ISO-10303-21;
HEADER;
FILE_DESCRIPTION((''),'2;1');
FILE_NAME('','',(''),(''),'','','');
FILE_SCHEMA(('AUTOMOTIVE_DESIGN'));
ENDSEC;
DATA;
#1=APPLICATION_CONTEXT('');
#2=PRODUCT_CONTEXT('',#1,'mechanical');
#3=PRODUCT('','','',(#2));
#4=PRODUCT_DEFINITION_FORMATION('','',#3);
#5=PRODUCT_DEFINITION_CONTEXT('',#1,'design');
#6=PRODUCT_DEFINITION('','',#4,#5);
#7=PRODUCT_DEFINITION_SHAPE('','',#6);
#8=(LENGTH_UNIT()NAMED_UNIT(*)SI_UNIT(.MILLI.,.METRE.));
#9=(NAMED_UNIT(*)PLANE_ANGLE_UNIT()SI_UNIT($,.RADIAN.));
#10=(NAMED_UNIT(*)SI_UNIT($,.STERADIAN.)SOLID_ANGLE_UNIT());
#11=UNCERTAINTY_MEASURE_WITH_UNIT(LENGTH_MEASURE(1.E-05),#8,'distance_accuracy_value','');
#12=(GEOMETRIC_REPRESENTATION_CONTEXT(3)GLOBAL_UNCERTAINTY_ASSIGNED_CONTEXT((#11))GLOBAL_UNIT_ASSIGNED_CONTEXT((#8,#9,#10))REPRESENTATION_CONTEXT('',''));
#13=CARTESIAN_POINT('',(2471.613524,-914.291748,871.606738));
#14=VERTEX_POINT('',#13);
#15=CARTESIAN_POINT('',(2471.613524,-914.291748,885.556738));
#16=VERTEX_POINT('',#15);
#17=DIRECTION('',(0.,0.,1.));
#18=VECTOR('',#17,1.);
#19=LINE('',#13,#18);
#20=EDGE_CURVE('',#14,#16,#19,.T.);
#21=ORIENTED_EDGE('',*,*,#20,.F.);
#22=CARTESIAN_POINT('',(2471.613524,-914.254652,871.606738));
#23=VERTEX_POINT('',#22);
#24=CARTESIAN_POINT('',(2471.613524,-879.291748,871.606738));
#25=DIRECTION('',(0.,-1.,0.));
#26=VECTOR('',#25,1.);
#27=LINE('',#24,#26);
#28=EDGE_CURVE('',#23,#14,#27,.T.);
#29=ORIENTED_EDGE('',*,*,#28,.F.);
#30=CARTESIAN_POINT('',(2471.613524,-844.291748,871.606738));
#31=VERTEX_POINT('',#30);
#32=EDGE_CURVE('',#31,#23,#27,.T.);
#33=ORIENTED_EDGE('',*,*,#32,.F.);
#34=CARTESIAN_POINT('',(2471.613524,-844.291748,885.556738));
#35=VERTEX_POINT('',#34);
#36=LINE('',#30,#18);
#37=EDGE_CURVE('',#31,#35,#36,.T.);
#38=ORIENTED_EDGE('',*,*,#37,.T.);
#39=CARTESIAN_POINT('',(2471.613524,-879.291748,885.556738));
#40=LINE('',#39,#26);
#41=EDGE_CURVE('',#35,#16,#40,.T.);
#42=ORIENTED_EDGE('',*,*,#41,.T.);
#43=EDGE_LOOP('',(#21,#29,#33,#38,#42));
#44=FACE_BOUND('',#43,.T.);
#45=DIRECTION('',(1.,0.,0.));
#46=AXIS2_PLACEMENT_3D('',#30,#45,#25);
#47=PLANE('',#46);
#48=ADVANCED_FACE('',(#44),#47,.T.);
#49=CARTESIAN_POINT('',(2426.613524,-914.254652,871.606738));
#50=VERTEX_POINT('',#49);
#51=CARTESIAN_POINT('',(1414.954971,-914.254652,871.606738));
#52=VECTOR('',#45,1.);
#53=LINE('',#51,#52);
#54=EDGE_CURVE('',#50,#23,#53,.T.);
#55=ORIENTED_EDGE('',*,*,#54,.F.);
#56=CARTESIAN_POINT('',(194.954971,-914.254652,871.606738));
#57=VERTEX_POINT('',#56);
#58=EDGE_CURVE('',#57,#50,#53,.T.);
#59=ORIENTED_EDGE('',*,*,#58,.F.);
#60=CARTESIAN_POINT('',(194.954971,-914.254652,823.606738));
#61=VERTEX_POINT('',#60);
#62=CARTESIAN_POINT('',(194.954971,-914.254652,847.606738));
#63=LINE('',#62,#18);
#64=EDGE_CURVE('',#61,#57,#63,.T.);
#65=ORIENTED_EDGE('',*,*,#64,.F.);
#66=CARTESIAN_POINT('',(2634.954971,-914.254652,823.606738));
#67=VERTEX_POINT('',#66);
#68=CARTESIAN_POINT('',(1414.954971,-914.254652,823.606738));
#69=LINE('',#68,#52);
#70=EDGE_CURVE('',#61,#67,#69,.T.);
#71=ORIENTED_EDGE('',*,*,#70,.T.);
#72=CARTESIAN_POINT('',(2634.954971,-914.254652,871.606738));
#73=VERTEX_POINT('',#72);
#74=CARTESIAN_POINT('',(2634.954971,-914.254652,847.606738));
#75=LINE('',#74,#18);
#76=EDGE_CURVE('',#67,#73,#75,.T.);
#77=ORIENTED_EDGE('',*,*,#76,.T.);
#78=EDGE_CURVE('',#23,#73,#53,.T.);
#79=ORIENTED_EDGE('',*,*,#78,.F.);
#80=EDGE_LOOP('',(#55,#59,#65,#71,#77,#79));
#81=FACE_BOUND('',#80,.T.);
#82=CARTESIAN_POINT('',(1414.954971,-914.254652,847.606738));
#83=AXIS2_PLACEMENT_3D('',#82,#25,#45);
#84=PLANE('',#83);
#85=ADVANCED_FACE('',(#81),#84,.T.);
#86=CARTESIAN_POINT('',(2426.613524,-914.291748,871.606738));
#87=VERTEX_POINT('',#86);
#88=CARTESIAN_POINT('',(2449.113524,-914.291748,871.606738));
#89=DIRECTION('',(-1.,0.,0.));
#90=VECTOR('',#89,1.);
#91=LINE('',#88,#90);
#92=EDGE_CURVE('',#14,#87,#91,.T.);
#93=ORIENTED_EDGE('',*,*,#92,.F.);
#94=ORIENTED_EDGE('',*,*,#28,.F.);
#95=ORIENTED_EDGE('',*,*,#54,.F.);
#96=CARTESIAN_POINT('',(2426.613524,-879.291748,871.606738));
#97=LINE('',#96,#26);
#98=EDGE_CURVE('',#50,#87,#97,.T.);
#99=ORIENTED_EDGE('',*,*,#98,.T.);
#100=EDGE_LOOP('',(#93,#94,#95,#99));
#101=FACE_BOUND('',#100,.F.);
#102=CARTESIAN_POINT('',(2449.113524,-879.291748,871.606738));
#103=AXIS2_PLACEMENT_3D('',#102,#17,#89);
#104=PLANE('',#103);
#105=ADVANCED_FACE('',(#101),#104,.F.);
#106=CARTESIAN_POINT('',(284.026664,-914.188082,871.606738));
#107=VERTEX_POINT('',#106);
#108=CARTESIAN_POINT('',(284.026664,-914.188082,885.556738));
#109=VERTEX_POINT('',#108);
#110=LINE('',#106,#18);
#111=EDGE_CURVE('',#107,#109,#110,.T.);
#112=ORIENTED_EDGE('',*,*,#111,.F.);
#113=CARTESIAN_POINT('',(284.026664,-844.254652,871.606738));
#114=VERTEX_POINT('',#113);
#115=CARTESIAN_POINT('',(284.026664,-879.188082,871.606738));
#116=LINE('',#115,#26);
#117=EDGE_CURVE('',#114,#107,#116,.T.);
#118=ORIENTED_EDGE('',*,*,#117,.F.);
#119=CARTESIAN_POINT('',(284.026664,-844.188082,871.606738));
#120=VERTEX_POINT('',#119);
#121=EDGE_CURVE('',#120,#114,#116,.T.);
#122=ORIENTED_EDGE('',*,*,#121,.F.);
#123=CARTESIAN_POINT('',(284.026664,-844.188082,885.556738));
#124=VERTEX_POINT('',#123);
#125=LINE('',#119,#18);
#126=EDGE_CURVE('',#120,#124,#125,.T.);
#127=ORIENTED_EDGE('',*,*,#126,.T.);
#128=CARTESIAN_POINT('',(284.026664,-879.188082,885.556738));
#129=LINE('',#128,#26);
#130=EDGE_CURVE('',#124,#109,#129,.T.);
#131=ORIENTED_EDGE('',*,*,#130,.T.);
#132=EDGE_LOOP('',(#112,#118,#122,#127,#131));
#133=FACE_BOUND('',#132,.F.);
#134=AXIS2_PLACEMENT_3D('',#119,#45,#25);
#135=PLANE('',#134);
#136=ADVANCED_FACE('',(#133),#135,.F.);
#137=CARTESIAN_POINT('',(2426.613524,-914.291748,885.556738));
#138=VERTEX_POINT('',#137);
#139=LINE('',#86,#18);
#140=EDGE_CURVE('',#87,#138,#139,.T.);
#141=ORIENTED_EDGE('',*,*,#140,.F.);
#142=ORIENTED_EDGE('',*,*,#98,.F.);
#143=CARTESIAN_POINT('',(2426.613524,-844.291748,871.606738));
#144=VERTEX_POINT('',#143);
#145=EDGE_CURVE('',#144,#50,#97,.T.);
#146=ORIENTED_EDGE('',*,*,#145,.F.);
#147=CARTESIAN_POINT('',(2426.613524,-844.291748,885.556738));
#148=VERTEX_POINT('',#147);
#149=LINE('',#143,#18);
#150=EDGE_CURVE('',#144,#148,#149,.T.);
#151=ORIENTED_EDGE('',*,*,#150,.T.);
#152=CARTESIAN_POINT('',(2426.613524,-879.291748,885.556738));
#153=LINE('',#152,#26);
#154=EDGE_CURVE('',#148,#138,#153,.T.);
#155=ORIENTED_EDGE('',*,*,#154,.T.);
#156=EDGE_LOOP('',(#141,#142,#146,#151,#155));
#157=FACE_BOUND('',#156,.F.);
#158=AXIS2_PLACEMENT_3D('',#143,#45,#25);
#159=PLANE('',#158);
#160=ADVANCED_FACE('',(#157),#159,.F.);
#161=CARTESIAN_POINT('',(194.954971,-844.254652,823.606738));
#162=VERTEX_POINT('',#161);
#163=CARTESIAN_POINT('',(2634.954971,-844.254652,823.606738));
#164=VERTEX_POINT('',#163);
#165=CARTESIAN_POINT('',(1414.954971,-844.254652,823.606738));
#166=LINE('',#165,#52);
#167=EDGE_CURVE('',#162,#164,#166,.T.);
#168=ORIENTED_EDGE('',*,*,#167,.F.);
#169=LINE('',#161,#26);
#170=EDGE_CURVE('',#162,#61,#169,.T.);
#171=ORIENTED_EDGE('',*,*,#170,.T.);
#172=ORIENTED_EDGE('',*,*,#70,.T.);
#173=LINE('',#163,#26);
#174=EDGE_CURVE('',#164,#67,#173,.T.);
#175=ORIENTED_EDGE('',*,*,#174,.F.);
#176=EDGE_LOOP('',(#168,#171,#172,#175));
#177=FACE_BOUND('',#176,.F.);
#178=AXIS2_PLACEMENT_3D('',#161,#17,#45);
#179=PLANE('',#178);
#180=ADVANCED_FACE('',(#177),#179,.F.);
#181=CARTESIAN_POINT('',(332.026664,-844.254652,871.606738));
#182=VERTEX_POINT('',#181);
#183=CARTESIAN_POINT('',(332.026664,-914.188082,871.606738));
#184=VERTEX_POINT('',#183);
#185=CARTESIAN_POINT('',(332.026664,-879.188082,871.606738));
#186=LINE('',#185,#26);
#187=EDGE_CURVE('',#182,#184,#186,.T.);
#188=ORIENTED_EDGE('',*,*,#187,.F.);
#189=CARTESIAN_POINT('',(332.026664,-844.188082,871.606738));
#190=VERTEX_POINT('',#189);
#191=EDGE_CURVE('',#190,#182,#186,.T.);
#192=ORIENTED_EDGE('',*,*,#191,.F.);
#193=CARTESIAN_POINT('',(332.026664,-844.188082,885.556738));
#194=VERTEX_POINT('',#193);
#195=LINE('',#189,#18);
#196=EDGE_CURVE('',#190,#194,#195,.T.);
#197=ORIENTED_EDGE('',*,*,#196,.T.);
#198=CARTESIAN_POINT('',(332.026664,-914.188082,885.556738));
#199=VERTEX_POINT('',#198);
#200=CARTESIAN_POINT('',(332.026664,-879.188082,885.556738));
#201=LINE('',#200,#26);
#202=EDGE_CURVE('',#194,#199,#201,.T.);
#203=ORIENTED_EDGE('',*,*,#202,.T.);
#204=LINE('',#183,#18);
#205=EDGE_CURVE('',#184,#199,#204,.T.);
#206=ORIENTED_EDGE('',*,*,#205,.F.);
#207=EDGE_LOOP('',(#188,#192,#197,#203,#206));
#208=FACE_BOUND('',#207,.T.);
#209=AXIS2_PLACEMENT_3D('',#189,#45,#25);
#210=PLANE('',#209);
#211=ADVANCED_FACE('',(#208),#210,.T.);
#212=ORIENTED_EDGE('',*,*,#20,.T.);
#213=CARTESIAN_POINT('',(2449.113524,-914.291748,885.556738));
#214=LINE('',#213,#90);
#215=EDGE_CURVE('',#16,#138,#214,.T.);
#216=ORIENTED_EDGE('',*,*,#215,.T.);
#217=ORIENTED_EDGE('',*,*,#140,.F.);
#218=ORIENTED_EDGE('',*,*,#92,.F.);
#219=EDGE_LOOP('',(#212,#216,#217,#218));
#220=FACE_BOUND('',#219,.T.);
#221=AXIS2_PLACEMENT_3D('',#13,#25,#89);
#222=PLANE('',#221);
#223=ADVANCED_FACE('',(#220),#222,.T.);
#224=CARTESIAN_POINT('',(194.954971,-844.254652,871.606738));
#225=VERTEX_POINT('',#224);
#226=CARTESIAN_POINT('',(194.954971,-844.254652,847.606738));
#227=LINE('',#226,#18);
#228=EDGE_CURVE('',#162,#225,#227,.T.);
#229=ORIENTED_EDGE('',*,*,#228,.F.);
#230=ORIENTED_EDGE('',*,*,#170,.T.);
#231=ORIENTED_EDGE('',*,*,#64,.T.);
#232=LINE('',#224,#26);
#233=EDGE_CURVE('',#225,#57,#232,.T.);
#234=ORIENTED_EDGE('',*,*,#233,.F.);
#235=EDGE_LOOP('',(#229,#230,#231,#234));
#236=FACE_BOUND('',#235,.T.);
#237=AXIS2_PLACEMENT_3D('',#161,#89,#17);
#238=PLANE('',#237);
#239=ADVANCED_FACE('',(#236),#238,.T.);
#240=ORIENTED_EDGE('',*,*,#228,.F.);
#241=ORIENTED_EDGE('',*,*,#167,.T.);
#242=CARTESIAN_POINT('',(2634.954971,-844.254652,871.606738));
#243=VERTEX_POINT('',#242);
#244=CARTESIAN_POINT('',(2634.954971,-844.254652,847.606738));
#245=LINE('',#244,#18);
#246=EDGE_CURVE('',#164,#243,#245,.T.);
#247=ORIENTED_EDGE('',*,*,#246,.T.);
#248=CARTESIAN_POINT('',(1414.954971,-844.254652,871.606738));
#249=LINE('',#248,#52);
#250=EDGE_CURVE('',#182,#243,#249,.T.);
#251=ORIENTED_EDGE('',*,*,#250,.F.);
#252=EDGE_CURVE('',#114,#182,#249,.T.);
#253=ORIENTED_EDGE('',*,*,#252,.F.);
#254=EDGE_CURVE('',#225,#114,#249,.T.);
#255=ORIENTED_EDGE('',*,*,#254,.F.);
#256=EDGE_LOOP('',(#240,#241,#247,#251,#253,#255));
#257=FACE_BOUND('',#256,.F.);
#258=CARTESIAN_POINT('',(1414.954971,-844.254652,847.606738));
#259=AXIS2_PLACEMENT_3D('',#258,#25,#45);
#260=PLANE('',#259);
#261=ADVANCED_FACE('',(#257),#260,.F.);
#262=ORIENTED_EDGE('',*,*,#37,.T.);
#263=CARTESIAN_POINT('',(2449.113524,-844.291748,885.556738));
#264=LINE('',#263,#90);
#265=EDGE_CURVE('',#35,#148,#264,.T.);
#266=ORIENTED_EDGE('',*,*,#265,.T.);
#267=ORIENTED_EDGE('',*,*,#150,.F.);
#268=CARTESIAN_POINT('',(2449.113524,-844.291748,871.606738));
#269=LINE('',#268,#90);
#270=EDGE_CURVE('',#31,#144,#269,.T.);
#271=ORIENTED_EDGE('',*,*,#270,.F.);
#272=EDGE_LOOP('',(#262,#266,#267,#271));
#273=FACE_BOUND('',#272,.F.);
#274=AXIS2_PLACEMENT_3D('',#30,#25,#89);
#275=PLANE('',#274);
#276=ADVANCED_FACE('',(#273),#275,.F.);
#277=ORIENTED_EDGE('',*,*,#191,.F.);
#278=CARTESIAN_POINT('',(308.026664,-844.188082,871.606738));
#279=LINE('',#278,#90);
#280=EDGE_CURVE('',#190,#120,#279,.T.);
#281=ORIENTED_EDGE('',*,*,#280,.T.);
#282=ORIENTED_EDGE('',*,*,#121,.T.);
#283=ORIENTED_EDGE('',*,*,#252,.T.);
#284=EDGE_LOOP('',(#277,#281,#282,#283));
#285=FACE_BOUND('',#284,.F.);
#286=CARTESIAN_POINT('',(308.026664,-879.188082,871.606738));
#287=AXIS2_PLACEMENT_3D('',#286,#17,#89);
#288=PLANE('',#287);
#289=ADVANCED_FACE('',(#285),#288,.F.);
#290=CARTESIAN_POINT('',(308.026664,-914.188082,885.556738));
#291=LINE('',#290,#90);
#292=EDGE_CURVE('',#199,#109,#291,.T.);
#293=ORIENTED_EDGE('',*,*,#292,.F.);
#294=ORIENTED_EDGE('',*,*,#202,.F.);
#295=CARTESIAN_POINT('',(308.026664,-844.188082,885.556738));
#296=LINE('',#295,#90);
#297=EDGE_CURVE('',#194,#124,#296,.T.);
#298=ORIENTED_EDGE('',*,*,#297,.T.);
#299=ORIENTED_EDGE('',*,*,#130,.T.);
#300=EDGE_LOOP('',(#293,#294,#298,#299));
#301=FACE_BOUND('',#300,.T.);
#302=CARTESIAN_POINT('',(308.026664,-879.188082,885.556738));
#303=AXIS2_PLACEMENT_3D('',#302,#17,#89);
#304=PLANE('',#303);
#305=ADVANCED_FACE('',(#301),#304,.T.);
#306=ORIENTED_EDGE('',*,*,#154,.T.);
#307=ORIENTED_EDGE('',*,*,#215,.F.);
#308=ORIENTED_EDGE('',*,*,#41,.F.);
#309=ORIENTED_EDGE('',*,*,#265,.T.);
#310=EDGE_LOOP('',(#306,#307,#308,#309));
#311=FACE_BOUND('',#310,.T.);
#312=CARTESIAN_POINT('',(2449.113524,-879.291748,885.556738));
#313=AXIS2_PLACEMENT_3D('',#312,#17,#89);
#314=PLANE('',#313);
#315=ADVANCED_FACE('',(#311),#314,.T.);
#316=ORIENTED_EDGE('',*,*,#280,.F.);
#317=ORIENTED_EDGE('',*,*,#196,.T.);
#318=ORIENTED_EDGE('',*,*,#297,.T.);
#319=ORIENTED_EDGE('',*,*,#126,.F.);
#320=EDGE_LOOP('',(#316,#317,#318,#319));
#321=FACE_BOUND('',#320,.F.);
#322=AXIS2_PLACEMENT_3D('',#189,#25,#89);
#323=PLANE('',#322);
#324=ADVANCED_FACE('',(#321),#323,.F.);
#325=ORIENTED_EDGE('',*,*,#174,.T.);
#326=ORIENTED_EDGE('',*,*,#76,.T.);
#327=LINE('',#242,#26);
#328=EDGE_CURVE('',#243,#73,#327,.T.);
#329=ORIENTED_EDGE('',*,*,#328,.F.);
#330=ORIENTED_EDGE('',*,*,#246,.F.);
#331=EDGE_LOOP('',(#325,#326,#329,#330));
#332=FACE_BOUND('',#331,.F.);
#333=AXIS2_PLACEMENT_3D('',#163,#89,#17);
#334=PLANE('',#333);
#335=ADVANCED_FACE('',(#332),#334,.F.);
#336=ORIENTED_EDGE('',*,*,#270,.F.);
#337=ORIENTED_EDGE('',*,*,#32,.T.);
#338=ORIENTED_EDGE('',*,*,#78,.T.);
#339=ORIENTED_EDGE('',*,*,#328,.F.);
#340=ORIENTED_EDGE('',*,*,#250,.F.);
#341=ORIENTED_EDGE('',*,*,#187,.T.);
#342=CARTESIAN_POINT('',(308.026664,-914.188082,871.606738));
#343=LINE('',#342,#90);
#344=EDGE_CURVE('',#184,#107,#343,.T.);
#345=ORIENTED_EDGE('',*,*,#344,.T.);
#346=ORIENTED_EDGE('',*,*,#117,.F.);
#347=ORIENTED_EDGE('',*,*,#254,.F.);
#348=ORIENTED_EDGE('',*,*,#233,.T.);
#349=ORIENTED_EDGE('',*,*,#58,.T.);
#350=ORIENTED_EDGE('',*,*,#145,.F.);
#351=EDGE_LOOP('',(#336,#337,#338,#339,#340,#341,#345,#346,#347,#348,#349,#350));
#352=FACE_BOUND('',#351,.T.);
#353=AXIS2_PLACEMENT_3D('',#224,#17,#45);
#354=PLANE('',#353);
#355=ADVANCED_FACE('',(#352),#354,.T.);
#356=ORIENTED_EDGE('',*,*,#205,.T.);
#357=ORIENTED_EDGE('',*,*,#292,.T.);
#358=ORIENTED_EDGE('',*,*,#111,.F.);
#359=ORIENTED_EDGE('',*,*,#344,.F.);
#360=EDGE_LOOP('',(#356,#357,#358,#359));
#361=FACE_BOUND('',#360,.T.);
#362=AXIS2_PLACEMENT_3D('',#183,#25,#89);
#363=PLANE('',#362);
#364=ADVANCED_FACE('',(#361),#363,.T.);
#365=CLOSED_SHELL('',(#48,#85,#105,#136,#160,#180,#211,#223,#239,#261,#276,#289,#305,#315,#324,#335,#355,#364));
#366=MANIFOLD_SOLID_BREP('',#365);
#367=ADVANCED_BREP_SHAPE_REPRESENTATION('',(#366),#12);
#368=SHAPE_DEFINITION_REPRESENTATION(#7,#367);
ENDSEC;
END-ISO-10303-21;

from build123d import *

# Parameters (mm, degrees)
SKETCH014_W  = 2440
SKETCH014_H  = 48
PAD014_DEPTH = 70
SKETCH019_W  = 45
SKETCH019_H  = 70
PAD019_DEPTH = 13.95
SKETCH020_W  = 48
SKETCH020_H  = 70
PAD020_DEPTH = 13.95


with BuildPart() as part:
    # Sketch014 → Pad014 (new body)
    with BuildSketch(Plane.XZ):
        with Locations((1414.96, 859)):
            Rectangle(SKETCH014_W, SKETCH014_H)
    extrude(amount=PAD014_DEPTH)

    # Sketch019 (on Face1 of Pad014) → Pad019 (join)
    with BuildSketch(Plane(origin=(0, 0, 883), x_dir=(-1, 0, 0), z_dir=(0, 0, 1))):
        with Locations((-2449.118553, 35.037096)):
            Rectangle(SKETCH019_W, SKETCH019_H)
    extrude(amount=PAD019_DEPTH)

    # Sketch020 (on Face1 of Pad019) → Pad020 (join)
    with BuildSketch(Plane(origin=(0, 0, 883), x_dir=(-1, 0, 0), z_dir=(0, 0, 1))):
        with Locations((-308.031693, 34.93343)):
            Rectangle(SKETCH020_W, SKETCH020_H)
    extrude(amount=PAD020_DEPTH)


with BuildPart() as part_1:
    # Body011 placement: moved
    add(part.part.moved(Location((-0.005029, -844.254652, -11.393262))))


solid = part_1.part
